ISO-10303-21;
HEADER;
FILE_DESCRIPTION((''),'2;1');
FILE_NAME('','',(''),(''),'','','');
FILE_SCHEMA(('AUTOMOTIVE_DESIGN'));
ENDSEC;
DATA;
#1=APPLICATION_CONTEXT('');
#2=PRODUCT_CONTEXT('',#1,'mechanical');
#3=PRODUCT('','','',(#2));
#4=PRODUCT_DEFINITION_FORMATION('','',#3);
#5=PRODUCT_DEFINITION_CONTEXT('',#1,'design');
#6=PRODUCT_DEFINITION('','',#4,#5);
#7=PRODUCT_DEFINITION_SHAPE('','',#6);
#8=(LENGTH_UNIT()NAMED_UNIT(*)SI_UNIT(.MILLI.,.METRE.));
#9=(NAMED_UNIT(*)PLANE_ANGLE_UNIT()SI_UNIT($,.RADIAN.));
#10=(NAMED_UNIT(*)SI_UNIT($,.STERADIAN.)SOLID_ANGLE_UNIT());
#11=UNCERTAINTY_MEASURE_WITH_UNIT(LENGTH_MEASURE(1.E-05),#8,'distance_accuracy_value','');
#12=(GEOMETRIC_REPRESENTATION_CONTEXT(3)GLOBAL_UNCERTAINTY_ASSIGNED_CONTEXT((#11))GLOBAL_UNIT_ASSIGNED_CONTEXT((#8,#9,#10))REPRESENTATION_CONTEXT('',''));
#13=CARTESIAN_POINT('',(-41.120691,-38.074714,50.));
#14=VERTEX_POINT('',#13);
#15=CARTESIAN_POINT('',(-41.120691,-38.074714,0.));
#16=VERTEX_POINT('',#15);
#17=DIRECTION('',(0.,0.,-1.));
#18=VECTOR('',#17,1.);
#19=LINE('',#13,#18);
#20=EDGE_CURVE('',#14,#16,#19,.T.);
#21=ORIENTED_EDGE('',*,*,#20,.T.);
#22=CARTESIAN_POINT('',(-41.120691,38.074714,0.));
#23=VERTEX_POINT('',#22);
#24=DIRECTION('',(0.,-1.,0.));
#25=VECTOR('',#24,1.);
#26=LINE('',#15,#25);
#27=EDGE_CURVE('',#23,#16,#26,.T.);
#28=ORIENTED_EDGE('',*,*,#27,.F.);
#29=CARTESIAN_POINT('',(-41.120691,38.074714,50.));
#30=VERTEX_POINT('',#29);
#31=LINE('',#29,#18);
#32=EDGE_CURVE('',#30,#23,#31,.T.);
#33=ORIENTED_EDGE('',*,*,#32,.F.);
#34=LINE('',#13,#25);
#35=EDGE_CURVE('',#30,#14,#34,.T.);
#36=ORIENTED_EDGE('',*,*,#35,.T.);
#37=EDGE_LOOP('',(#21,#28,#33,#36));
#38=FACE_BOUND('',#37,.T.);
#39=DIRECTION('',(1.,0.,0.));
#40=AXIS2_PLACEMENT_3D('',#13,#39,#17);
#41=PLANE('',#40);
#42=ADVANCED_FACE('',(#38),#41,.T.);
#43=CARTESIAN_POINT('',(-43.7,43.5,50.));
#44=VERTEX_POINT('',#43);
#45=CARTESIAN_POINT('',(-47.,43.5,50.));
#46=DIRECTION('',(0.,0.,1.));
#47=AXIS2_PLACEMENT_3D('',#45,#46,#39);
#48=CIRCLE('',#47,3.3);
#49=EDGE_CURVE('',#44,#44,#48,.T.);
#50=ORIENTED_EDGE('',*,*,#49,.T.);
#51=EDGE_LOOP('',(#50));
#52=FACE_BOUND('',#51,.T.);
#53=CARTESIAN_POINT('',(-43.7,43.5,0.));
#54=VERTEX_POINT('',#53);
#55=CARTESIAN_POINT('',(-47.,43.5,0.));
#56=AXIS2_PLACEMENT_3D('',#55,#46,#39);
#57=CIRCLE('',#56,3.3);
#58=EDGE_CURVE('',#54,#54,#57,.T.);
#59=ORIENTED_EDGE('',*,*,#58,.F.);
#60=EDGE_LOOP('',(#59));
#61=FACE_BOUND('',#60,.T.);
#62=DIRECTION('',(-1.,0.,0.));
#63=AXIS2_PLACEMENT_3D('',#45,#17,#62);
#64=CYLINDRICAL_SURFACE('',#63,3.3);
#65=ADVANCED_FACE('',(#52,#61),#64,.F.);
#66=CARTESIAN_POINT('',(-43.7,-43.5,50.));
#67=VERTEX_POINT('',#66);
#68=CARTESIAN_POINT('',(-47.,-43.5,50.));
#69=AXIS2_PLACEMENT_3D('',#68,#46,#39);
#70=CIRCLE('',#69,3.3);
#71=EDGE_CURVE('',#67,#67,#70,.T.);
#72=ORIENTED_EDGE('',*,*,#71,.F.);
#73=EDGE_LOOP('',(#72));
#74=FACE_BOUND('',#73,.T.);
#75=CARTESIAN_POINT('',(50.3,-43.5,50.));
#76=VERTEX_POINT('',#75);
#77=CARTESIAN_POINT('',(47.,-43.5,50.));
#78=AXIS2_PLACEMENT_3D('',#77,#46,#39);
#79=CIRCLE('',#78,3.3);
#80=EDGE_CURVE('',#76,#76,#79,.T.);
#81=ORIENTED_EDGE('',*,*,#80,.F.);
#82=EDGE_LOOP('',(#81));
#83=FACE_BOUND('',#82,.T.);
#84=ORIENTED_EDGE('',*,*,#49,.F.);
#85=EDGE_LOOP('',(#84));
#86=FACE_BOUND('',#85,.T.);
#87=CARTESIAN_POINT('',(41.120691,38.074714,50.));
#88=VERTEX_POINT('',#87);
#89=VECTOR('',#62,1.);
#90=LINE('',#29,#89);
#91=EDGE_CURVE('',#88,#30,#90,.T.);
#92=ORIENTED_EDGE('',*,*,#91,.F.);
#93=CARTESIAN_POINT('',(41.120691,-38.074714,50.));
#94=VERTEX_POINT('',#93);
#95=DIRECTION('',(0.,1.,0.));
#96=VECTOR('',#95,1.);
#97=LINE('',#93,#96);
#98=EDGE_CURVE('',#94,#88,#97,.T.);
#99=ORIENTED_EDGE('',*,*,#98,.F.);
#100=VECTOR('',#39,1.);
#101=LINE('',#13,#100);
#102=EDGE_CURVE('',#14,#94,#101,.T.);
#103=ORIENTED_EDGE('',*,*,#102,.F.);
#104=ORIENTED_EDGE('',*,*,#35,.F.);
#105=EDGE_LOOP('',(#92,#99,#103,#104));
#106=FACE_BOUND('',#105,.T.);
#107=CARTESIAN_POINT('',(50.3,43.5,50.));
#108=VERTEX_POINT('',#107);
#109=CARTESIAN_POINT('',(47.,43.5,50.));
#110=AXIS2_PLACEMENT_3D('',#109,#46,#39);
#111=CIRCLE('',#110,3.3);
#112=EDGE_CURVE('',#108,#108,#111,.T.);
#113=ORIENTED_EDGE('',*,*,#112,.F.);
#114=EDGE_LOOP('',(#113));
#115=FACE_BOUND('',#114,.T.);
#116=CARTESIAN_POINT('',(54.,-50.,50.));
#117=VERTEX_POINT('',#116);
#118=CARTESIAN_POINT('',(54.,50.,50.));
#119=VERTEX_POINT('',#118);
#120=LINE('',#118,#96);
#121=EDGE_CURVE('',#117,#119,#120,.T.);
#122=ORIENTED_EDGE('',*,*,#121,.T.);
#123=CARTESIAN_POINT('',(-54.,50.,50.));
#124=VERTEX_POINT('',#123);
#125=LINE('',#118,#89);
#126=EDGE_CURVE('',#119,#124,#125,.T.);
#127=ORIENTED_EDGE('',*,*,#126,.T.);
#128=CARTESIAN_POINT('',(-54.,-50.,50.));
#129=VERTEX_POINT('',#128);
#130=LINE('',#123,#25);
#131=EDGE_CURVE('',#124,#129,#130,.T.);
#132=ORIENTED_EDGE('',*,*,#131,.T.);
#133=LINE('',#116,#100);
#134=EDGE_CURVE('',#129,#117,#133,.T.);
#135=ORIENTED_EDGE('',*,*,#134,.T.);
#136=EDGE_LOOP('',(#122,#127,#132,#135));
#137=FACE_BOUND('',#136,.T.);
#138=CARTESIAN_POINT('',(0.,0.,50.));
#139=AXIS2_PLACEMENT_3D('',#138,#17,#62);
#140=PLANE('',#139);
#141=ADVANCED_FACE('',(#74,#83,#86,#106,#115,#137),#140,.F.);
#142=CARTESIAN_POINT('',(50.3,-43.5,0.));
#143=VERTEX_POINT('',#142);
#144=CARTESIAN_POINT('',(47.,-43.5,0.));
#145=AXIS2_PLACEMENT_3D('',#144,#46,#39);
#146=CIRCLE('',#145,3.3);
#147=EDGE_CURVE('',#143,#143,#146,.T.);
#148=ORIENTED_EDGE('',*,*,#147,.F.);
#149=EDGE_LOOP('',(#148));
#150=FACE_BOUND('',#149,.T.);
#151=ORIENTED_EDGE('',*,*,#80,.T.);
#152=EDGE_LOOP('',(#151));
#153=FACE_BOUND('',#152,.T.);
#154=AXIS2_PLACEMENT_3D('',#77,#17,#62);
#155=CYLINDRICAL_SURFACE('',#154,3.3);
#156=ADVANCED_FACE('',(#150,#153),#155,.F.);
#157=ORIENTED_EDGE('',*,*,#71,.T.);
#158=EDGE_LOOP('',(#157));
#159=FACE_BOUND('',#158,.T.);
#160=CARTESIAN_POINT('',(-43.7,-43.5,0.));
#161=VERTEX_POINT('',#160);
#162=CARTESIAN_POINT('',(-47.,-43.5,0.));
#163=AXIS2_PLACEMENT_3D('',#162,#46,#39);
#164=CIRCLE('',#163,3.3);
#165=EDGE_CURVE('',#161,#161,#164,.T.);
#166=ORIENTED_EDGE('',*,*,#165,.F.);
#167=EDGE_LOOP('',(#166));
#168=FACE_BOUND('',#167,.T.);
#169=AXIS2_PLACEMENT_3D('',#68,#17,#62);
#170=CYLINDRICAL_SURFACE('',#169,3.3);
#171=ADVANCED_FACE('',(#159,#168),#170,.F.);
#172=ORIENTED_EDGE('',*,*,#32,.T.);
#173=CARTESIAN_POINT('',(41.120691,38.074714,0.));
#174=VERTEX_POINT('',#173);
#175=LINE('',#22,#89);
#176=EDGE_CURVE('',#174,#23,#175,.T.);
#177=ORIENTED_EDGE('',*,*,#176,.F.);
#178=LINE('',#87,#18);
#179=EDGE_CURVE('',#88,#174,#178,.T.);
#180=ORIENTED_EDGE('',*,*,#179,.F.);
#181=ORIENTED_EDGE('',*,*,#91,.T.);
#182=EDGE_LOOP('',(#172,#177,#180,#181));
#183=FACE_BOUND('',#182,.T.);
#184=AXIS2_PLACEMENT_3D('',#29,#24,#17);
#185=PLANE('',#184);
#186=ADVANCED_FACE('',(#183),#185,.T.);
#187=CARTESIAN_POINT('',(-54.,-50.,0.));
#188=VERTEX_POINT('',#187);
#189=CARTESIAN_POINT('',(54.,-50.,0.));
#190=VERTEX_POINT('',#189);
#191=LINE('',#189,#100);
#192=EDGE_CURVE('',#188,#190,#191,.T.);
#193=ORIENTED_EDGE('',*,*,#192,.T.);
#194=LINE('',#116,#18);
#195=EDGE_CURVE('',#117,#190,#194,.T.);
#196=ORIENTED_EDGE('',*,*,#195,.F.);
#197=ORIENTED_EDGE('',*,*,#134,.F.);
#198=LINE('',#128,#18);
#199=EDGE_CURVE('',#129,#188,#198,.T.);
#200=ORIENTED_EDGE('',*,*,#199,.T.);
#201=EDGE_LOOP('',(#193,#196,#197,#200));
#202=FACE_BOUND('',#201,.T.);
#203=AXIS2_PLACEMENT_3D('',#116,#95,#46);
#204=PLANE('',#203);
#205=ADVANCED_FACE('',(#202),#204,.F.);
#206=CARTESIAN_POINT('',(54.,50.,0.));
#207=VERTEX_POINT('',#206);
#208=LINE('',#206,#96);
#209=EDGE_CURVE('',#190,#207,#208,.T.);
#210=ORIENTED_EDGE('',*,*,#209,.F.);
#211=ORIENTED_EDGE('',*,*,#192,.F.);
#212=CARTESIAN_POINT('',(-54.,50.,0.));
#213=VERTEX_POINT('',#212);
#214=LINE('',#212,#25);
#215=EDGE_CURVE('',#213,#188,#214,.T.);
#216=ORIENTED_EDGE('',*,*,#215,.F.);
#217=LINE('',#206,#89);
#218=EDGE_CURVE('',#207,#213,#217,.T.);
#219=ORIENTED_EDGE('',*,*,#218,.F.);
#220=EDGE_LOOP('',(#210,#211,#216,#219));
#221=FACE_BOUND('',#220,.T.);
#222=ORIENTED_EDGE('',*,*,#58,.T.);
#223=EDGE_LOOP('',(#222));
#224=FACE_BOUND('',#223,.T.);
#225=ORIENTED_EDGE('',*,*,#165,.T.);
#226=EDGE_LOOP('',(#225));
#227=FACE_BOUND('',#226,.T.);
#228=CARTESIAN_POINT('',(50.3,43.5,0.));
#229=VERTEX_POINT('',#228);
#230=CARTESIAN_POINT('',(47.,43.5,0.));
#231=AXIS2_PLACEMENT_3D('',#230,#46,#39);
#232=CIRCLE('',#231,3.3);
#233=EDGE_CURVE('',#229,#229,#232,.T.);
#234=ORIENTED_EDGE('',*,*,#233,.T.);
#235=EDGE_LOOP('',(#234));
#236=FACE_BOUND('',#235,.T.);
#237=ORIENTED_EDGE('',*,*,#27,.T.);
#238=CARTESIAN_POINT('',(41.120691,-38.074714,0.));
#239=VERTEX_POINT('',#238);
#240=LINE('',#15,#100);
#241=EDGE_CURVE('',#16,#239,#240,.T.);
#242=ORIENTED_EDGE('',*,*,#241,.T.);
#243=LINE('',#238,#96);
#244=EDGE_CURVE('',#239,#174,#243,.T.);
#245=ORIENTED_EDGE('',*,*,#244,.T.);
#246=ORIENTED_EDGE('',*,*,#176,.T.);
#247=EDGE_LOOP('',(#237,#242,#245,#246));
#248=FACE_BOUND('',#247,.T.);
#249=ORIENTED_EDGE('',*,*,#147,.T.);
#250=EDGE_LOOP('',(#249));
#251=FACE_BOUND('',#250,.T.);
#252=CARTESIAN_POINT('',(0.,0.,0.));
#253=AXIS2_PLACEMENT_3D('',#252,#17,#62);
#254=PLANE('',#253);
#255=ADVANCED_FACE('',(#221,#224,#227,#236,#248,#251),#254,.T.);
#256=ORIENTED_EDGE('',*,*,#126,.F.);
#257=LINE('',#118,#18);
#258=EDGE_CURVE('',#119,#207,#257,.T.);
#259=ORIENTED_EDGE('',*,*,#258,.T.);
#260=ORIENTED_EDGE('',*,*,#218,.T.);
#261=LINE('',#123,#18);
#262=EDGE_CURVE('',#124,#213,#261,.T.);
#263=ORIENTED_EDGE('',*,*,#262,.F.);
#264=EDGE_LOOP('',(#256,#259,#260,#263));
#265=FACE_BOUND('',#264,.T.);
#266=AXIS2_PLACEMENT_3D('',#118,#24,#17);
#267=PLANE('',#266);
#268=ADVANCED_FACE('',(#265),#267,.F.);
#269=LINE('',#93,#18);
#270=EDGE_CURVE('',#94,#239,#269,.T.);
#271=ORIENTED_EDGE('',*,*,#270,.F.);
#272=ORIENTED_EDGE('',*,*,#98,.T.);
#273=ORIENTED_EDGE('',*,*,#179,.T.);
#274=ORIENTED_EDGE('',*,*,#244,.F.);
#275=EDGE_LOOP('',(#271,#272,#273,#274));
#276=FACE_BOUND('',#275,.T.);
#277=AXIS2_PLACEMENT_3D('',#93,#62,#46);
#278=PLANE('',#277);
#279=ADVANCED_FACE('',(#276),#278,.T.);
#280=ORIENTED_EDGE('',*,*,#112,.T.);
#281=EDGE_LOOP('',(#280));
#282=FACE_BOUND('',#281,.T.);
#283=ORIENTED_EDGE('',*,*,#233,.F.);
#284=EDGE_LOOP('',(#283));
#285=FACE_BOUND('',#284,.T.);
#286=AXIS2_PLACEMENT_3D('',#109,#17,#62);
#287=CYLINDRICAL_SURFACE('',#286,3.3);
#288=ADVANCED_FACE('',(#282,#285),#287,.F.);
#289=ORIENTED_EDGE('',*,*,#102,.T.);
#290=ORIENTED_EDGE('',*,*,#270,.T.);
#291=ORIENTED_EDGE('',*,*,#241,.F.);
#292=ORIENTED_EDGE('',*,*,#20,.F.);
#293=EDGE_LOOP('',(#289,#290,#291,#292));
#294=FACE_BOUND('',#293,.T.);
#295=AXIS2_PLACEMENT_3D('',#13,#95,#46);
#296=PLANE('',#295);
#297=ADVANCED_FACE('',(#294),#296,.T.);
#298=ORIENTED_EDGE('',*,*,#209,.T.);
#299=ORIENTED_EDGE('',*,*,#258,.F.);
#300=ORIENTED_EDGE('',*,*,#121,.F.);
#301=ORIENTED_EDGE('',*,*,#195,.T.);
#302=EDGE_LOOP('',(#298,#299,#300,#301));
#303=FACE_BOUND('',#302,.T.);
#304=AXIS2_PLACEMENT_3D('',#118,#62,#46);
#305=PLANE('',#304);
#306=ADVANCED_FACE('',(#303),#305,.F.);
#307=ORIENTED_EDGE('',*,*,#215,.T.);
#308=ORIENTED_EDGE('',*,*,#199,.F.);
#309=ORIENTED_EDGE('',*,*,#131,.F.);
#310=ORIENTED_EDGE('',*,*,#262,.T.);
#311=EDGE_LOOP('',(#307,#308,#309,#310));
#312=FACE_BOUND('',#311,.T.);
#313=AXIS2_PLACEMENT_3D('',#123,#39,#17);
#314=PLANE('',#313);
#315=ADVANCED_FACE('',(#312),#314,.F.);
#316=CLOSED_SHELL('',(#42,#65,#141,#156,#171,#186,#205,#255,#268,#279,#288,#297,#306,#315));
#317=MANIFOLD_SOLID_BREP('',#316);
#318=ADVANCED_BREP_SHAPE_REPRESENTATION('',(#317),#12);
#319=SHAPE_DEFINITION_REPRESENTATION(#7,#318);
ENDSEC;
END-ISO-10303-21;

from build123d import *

# Parameters (mm, degrees)
SKETCH1_W           = 108
SKETCH1_H           = 100
SKETCH1_R           = 3.3
SKETCH1_W_2         = 82.24138234
SKETCH1_H_2         = 76.149428092
BOSS_EXTRUDE1_DEPTH = 50


with BuildPart() as part:
    # Sketch1 → Boss-Extrude1 (new body)
    with BuildSketch(Plane.XY):
        Rectangle(SKETCH1_W, SKETCH1_H)
        with Locations((47, 43.5)):
            Circle(SKETCH1_R, mode=Mode.SUBTRACT)
        with Locations((47, -43.5)):
            Circle(SKETCH1_R, mode=Mode.SUBTRACT)
        with Locations((-47, -43.5)):
            Circle(SKETCH1_R, mode=Mode.SUBTRACT)
        with Locations((-47, 43.5)):
            Circle(SKETCH1_R, mode=Mode.SUBTRACT)
        Rectangle(SKETCH1_W_2, SKETCH1_H_2, mode=Mode.SUBTRACT)
    extrude(amount=BOSS_EXTRUDE1_DEPTH)


solid = part.part
